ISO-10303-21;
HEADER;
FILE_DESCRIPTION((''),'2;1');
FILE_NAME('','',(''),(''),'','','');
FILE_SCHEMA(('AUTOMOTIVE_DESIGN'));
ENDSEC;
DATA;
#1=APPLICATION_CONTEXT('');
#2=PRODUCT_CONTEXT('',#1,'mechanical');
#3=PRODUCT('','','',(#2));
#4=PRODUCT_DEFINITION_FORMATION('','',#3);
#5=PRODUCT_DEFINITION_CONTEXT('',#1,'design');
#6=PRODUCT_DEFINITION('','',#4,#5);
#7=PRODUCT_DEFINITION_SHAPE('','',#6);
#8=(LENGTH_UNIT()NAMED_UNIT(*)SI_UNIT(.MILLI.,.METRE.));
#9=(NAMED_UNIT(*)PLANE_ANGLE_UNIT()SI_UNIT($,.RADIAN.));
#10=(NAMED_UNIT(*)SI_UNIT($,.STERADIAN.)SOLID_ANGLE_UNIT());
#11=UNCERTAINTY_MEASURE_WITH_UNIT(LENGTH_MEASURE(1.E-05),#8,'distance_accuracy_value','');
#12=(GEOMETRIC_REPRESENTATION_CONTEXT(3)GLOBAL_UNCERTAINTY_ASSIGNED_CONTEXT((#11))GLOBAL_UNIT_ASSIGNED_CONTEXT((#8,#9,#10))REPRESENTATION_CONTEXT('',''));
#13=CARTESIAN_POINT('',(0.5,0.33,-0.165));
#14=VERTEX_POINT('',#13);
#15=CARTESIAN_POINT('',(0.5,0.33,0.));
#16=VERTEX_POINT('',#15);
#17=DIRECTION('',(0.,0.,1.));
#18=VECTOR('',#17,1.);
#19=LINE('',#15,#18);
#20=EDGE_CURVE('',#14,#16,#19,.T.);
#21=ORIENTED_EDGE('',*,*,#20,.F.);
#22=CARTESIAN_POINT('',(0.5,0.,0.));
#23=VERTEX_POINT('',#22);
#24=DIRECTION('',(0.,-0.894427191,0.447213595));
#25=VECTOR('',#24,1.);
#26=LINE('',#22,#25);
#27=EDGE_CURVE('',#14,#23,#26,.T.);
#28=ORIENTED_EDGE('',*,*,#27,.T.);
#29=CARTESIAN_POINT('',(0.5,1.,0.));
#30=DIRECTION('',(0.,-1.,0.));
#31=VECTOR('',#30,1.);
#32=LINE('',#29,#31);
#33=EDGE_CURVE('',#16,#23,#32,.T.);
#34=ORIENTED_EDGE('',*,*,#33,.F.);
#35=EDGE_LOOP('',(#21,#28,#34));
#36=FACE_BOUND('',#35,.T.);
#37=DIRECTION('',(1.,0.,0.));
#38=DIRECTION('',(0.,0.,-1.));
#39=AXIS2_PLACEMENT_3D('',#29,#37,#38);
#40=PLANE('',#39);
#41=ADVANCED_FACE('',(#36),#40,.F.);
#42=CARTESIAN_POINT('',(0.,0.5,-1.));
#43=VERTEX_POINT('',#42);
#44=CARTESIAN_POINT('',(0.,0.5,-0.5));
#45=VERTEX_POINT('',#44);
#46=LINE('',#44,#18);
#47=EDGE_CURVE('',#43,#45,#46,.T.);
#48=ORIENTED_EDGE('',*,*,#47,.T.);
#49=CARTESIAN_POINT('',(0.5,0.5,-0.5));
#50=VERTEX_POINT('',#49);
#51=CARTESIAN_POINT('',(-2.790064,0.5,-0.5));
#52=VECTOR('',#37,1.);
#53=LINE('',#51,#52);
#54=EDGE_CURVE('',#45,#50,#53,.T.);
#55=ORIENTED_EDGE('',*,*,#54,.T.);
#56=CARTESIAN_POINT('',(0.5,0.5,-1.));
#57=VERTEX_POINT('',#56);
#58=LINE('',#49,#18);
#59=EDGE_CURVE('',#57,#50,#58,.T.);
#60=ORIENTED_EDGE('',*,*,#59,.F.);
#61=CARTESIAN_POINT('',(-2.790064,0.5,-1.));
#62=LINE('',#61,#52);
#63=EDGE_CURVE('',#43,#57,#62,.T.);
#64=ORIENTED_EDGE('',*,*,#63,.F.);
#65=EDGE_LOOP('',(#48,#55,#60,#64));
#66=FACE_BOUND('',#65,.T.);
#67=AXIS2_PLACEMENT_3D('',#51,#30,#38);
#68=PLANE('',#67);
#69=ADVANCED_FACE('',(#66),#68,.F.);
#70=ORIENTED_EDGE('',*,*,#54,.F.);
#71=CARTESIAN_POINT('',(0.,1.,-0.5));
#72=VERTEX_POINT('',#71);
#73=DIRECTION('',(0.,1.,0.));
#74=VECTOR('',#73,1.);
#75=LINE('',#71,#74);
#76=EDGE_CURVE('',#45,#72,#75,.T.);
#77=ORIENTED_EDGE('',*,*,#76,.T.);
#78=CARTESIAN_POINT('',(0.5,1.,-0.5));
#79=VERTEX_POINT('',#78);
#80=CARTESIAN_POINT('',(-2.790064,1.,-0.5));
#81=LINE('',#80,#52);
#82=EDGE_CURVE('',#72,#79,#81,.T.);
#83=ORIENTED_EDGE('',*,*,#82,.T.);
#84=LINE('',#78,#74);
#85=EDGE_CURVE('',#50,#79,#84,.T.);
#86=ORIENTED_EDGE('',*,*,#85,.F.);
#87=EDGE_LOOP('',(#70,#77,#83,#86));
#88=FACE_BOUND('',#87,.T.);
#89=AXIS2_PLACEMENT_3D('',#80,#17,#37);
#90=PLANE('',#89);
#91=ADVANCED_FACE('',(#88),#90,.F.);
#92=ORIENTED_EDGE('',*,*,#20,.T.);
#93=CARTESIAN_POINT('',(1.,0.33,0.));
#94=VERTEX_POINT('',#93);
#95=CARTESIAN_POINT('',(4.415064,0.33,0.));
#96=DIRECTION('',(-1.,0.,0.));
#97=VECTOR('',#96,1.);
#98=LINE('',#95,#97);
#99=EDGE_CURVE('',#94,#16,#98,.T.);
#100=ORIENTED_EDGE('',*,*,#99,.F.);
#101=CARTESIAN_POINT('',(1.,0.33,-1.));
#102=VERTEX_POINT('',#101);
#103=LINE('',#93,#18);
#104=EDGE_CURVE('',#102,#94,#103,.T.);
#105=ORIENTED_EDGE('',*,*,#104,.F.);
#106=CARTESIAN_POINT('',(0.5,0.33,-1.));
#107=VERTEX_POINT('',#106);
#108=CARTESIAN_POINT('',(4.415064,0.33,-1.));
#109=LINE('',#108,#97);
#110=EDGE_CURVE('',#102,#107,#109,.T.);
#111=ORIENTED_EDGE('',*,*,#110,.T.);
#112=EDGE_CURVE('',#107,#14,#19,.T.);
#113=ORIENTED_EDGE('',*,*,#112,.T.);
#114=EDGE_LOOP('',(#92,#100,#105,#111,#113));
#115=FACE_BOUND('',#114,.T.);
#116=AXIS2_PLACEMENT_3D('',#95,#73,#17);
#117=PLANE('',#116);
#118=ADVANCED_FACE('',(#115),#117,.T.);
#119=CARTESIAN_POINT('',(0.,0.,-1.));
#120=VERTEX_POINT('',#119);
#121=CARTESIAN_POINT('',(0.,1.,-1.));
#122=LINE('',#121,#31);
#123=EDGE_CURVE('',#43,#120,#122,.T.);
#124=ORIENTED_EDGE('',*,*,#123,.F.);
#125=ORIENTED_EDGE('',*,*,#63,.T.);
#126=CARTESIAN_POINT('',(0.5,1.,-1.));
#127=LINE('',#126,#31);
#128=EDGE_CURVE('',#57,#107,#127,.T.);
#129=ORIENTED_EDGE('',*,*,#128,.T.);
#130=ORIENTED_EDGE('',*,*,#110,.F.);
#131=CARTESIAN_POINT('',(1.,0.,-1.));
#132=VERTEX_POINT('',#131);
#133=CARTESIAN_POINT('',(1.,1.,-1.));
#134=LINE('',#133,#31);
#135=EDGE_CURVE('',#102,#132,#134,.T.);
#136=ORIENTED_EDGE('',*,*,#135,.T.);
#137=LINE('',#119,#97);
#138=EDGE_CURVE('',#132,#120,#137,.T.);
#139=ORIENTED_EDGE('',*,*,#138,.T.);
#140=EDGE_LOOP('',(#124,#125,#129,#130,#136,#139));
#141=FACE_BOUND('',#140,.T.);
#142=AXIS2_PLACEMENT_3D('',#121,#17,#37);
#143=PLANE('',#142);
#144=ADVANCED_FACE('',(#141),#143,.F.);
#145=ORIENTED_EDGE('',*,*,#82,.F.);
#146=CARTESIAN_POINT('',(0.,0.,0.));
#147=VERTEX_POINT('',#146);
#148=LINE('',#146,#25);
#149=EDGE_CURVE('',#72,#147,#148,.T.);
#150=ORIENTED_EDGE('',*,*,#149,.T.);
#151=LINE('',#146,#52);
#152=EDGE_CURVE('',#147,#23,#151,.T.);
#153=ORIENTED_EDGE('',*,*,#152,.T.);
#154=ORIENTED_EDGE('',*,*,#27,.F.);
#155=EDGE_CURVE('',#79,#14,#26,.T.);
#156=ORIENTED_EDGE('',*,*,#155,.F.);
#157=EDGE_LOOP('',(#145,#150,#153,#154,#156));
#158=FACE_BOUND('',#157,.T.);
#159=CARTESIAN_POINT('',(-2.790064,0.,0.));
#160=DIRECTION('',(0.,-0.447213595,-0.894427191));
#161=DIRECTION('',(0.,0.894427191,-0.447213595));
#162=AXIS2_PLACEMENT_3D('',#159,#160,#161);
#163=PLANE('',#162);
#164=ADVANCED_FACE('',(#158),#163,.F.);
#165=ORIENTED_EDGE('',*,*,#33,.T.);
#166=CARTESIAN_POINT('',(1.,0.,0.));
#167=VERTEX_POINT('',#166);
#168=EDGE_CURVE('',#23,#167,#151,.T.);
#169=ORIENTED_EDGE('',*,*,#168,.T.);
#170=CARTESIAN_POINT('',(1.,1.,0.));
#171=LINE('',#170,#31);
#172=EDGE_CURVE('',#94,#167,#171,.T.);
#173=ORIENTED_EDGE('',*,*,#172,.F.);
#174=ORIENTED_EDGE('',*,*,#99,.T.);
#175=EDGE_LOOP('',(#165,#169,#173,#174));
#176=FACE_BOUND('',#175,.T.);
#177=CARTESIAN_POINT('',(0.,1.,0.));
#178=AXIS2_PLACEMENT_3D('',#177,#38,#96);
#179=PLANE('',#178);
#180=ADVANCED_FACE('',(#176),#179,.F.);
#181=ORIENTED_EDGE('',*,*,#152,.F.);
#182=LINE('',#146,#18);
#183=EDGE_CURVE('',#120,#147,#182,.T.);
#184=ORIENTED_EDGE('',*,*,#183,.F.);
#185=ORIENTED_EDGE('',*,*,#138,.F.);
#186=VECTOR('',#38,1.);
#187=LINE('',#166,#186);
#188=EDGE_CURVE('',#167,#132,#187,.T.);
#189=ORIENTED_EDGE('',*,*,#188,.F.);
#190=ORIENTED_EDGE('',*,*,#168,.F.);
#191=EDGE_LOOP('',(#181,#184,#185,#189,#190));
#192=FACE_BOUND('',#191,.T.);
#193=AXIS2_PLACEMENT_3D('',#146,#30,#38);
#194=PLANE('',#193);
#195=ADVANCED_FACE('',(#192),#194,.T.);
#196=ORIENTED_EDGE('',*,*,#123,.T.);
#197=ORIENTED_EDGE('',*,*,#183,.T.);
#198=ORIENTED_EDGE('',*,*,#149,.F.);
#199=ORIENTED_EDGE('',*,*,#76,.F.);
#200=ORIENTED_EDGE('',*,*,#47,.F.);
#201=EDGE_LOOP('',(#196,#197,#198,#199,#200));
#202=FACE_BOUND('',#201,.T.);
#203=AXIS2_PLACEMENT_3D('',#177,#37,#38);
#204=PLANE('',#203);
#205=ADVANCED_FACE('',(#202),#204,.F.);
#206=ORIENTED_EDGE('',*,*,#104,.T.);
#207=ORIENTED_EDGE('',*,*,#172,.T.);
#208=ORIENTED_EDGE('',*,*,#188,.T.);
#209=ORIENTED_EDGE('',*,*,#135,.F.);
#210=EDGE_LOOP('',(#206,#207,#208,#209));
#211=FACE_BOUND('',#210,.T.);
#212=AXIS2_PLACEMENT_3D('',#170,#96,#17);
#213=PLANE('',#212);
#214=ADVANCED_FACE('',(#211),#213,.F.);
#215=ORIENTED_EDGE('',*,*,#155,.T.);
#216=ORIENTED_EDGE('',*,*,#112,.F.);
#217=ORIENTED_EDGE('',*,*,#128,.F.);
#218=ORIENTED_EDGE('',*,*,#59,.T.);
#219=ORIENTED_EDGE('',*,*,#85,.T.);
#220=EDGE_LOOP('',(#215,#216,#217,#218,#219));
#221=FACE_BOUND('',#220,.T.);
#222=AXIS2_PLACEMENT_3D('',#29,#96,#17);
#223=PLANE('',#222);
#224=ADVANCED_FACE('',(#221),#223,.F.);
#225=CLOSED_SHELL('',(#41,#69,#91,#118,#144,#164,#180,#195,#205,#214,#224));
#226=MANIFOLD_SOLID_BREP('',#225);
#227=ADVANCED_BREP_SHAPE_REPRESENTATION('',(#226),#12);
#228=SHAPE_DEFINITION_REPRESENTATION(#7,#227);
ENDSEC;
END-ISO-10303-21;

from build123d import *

# Parameters (mm, degrees)
SKETCH1_W               = 1
SKETCH1_H               = 1
BOSS_EXTRUDE1_DEPTH     = 1
CUT_EXTRUDE1_DEPTH      = 2.732050808
CUT_EXTRUDE1_DEPTH_BACK = 0.5
CUT_EXTRUDE2_DEPTH      = 2.732050808
CUT_EXTRUDE2_DEPTH_BACK = 0.5


with BuildPart() as part:
    # Sketch1 → Boss-Extrude1 (new body)
    with BuildSketch(Plane(origin=(0, 0, 0), x_dir=(1, 0, 0), z_dir=(0, 1, 0))):
        with Locations((0.5, 0.5)):
            Rectangle(SKETCH1_W, SKETCH1_H)
    extrude(amount=BOSS_EXTRUDE1_DEPTH)

    # Sketch2 → Cut-Extrude1 (cut, two sides: drawn at the far end of the back side and taken through both)
    with BuildSketch(Plane(origin=(1, 0, 0), x_dir=(0, 0, -1), z_dir=(1, 0, 0)).offset(-CUT_EXTRUDE1_DEPTH_BACK)):
        Polygon((-12.407405242, 0.33), (0, 0.33), (1, 0.33), (13.407405242, 0.33), (13.407405242, 25.144810484), (-12.407405242, 25.144810484), align=None)
    extrude(amount=CUT_EXTRUDE1_DEPTH + CUT_EXTRUDE1_DEPTH_BACK, mode=Mode.SUBTRACT)

    # Sketch3 → Cut-Extrude2 (cut, two sides: drawn at the far end of the back side and taken through both)
    with BuildSketch(Plane.ZY.offset(-CUT_EXTRUDE2_DEPTH_BACK)):
        Polygon((5.737047019, -11.474094038), (0, 0), (-0.5, 1), (-0.5, 0.5), (-1, 0.5), (-13.828427125, 0.5), (-0.435480574, 22.383855983), (19.12999357, 10.409761944), align=None)
    extrude(amount=CUT_EXTRUDE2_DEPTH + CUT_EXTRUDE2_DEPTH_BACK, mode=Mode.SUBTRACT)


solid = part.part
